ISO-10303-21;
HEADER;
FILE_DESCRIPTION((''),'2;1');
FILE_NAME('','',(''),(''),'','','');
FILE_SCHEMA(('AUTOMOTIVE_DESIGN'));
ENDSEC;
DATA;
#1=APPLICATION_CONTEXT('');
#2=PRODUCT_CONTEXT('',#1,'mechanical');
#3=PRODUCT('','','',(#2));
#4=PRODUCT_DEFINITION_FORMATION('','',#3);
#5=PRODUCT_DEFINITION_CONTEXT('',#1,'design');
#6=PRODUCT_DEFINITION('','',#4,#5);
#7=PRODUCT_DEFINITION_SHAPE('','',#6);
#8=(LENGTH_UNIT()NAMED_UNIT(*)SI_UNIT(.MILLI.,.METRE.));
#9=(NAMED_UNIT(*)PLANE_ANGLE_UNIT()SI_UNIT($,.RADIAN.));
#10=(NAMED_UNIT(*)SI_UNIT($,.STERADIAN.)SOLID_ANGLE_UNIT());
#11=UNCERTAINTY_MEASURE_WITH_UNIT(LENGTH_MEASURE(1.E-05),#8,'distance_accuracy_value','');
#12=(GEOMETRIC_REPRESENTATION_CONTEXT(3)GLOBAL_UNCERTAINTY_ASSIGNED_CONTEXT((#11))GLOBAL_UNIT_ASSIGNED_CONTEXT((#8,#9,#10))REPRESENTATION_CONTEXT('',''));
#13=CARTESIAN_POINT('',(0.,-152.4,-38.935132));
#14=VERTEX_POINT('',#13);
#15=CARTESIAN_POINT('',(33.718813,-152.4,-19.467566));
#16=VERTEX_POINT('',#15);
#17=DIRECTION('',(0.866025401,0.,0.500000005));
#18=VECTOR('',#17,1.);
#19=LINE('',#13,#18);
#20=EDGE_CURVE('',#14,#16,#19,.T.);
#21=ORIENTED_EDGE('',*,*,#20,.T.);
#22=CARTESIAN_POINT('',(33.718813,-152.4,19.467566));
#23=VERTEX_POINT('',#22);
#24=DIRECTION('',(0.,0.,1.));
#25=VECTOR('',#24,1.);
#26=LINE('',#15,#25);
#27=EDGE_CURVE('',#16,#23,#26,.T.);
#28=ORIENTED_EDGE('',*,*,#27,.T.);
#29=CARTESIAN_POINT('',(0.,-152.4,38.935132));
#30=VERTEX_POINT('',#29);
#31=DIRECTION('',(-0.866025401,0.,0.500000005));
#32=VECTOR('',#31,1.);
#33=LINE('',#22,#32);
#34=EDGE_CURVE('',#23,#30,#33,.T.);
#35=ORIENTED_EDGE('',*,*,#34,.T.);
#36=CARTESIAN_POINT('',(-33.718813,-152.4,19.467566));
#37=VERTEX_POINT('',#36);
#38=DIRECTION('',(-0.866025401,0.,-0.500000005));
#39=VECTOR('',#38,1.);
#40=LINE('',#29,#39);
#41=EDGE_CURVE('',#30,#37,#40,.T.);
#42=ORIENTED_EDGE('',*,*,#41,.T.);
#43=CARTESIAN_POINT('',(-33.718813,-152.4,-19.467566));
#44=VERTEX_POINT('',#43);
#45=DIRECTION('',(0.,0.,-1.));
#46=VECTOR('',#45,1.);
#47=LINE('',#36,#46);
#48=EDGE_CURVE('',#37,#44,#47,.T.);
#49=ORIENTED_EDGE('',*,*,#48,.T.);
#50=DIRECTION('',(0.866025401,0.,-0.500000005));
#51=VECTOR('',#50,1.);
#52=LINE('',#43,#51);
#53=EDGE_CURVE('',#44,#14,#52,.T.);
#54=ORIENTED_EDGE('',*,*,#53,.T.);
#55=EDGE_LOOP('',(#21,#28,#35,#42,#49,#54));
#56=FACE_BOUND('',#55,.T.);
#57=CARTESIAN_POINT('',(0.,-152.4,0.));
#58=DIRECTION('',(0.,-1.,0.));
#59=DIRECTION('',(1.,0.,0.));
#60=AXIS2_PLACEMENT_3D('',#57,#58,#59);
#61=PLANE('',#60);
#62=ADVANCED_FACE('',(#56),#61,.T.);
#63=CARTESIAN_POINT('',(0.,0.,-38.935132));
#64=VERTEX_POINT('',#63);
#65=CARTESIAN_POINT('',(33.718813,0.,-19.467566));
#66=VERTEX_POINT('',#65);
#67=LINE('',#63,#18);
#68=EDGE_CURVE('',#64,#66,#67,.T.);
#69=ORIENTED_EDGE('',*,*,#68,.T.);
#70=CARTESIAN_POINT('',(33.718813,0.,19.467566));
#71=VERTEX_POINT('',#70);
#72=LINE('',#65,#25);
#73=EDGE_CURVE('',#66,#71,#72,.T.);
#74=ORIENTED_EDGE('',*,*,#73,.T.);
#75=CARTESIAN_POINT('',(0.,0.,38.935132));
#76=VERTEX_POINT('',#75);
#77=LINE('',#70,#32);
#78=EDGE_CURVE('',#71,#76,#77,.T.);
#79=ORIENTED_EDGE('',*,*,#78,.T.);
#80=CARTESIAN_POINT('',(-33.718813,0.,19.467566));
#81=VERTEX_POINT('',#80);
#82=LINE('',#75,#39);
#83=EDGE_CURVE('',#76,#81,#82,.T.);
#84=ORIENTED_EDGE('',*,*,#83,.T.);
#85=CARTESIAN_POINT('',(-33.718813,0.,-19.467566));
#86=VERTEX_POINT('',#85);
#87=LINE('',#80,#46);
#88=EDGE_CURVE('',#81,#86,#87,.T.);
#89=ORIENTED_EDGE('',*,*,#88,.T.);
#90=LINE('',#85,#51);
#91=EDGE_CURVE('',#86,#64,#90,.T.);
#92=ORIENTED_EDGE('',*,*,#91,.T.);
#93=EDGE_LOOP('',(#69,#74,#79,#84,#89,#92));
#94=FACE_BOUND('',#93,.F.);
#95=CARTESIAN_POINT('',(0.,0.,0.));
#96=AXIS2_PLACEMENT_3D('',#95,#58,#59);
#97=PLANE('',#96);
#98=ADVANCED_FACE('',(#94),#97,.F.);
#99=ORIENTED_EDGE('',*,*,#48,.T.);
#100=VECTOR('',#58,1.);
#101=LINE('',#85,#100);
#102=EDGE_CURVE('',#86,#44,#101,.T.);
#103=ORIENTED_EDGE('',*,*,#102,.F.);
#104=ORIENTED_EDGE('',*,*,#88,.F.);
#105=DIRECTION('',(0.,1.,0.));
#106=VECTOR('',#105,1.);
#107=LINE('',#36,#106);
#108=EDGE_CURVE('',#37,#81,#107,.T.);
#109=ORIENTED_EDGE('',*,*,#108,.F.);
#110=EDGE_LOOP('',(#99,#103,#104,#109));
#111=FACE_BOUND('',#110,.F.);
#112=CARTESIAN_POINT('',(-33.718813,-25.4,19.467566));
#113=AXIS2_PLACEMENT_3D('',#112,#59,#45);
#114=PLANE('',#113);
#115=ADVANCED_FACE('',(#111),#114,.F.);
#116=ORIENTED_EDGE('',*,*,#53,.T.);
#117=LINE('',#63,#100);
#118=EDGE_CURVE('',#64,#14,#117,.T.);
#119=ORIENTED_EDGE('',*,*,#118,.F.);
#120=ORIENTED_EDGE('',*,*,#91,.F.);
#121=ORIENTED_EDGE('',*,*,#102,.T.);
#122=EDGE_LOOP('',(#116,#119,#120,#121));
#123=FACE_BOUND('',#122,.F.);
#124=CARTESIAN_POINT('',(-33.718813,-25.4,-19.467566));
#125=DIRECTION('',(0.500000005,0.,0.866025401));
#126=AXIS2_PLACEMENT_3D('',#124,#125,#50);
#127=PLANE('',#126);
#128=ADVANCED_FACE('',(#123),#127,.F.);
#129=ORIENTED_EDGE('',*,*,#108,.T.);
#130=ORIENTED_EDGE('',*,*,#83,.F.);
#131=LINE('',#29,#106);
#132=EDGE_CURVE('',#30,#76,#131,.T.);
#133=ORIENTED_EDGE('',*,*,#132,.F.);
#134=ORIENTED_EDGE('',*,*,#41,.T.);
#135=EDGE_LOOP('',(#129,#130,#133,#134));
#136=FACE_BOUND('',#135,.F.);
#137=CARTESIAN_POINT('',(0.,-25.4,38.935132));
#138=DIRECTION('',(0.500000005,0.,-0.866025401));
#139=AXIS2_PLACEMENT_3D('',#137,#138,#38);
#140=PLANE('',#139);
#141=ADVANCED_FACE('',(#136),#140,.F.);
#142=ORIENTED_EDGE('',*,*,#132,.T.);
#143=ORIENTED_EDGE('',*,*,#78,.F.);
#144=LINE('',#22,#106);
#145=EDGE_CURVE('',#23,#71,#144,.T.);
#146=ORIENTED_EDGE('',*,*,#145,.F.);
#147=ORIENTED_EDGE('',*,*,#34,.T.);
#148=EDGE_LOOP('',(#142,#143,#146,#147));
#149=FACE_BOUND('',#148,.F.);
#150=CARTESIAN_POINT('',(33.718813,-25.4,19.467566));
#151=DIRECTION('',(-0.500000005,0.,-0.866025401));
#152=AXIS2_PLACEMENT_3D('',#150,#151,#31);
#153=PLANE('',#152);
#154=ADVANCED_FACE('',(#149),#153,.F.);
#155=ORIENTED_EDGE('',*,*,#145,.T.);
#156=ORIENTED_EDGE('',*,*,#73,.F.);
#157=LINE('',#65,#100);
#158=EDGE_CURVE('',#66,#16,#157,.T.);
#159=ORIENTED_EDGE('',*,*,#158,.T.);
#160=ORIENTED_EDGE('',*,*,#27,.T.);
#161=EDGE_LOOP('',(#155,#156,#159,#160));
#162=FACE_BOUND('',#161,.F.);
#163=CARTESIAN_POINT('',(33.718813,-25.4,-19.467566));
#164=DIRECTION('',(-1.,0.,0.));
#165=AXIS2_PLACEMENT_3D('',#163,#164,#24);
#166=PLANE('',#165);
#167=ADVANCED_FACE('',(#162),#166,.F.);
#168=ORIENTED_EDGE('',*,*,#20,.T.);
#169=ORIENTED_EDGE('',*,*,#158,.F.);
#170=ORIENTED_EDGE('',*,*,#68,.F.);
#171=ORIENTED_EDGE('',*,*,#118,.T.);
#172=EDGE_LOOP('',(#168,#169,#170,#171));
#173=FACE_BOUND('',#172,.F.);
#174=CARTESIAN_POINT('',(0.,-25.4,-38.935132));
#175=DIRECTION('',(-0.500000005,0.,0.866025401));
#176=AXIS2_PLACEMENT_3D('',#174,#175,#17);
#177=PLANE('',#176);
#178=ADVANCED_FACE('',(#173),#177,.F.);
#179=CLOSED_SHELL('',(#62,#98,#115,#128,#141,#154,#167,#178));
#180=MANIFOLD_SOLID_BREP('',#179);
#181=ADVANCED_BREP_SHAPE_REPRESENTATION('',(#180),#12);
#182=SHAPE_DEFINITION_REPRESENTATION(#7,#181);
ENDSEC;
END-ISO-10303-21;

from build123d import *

# Parameters (mm, degrees)
F1_DEPTH = 25.4
F2_DEPTH = 127


with BuildPart() as f1:
    # F0 (on Front) → F1 (new body)
    with BuildSketch(Plane.XZ):
        Polygon((-33.718813, 19.467566), (-33.718813, -19.467566), (0, -38.935132), (33.718813, -19.467566), (33.718813, 19.467566), (0, 38.935132), align=None)
    extrude(amount=F1_DEPTH)

    # F1_face (on face) → F2 (join)
    with BuildSketch(Plane.XZ.offset(25.4)):
        Polygon((-33.718813, 19.467566), (-33.718813, -19.467566), (0, -38.935132), (33.718813, -19.467566), (33.718813, 19.467566), (0, 38.935132), align=None)
    extrude(amount=F2_DEPTH)


solid = f1.part
